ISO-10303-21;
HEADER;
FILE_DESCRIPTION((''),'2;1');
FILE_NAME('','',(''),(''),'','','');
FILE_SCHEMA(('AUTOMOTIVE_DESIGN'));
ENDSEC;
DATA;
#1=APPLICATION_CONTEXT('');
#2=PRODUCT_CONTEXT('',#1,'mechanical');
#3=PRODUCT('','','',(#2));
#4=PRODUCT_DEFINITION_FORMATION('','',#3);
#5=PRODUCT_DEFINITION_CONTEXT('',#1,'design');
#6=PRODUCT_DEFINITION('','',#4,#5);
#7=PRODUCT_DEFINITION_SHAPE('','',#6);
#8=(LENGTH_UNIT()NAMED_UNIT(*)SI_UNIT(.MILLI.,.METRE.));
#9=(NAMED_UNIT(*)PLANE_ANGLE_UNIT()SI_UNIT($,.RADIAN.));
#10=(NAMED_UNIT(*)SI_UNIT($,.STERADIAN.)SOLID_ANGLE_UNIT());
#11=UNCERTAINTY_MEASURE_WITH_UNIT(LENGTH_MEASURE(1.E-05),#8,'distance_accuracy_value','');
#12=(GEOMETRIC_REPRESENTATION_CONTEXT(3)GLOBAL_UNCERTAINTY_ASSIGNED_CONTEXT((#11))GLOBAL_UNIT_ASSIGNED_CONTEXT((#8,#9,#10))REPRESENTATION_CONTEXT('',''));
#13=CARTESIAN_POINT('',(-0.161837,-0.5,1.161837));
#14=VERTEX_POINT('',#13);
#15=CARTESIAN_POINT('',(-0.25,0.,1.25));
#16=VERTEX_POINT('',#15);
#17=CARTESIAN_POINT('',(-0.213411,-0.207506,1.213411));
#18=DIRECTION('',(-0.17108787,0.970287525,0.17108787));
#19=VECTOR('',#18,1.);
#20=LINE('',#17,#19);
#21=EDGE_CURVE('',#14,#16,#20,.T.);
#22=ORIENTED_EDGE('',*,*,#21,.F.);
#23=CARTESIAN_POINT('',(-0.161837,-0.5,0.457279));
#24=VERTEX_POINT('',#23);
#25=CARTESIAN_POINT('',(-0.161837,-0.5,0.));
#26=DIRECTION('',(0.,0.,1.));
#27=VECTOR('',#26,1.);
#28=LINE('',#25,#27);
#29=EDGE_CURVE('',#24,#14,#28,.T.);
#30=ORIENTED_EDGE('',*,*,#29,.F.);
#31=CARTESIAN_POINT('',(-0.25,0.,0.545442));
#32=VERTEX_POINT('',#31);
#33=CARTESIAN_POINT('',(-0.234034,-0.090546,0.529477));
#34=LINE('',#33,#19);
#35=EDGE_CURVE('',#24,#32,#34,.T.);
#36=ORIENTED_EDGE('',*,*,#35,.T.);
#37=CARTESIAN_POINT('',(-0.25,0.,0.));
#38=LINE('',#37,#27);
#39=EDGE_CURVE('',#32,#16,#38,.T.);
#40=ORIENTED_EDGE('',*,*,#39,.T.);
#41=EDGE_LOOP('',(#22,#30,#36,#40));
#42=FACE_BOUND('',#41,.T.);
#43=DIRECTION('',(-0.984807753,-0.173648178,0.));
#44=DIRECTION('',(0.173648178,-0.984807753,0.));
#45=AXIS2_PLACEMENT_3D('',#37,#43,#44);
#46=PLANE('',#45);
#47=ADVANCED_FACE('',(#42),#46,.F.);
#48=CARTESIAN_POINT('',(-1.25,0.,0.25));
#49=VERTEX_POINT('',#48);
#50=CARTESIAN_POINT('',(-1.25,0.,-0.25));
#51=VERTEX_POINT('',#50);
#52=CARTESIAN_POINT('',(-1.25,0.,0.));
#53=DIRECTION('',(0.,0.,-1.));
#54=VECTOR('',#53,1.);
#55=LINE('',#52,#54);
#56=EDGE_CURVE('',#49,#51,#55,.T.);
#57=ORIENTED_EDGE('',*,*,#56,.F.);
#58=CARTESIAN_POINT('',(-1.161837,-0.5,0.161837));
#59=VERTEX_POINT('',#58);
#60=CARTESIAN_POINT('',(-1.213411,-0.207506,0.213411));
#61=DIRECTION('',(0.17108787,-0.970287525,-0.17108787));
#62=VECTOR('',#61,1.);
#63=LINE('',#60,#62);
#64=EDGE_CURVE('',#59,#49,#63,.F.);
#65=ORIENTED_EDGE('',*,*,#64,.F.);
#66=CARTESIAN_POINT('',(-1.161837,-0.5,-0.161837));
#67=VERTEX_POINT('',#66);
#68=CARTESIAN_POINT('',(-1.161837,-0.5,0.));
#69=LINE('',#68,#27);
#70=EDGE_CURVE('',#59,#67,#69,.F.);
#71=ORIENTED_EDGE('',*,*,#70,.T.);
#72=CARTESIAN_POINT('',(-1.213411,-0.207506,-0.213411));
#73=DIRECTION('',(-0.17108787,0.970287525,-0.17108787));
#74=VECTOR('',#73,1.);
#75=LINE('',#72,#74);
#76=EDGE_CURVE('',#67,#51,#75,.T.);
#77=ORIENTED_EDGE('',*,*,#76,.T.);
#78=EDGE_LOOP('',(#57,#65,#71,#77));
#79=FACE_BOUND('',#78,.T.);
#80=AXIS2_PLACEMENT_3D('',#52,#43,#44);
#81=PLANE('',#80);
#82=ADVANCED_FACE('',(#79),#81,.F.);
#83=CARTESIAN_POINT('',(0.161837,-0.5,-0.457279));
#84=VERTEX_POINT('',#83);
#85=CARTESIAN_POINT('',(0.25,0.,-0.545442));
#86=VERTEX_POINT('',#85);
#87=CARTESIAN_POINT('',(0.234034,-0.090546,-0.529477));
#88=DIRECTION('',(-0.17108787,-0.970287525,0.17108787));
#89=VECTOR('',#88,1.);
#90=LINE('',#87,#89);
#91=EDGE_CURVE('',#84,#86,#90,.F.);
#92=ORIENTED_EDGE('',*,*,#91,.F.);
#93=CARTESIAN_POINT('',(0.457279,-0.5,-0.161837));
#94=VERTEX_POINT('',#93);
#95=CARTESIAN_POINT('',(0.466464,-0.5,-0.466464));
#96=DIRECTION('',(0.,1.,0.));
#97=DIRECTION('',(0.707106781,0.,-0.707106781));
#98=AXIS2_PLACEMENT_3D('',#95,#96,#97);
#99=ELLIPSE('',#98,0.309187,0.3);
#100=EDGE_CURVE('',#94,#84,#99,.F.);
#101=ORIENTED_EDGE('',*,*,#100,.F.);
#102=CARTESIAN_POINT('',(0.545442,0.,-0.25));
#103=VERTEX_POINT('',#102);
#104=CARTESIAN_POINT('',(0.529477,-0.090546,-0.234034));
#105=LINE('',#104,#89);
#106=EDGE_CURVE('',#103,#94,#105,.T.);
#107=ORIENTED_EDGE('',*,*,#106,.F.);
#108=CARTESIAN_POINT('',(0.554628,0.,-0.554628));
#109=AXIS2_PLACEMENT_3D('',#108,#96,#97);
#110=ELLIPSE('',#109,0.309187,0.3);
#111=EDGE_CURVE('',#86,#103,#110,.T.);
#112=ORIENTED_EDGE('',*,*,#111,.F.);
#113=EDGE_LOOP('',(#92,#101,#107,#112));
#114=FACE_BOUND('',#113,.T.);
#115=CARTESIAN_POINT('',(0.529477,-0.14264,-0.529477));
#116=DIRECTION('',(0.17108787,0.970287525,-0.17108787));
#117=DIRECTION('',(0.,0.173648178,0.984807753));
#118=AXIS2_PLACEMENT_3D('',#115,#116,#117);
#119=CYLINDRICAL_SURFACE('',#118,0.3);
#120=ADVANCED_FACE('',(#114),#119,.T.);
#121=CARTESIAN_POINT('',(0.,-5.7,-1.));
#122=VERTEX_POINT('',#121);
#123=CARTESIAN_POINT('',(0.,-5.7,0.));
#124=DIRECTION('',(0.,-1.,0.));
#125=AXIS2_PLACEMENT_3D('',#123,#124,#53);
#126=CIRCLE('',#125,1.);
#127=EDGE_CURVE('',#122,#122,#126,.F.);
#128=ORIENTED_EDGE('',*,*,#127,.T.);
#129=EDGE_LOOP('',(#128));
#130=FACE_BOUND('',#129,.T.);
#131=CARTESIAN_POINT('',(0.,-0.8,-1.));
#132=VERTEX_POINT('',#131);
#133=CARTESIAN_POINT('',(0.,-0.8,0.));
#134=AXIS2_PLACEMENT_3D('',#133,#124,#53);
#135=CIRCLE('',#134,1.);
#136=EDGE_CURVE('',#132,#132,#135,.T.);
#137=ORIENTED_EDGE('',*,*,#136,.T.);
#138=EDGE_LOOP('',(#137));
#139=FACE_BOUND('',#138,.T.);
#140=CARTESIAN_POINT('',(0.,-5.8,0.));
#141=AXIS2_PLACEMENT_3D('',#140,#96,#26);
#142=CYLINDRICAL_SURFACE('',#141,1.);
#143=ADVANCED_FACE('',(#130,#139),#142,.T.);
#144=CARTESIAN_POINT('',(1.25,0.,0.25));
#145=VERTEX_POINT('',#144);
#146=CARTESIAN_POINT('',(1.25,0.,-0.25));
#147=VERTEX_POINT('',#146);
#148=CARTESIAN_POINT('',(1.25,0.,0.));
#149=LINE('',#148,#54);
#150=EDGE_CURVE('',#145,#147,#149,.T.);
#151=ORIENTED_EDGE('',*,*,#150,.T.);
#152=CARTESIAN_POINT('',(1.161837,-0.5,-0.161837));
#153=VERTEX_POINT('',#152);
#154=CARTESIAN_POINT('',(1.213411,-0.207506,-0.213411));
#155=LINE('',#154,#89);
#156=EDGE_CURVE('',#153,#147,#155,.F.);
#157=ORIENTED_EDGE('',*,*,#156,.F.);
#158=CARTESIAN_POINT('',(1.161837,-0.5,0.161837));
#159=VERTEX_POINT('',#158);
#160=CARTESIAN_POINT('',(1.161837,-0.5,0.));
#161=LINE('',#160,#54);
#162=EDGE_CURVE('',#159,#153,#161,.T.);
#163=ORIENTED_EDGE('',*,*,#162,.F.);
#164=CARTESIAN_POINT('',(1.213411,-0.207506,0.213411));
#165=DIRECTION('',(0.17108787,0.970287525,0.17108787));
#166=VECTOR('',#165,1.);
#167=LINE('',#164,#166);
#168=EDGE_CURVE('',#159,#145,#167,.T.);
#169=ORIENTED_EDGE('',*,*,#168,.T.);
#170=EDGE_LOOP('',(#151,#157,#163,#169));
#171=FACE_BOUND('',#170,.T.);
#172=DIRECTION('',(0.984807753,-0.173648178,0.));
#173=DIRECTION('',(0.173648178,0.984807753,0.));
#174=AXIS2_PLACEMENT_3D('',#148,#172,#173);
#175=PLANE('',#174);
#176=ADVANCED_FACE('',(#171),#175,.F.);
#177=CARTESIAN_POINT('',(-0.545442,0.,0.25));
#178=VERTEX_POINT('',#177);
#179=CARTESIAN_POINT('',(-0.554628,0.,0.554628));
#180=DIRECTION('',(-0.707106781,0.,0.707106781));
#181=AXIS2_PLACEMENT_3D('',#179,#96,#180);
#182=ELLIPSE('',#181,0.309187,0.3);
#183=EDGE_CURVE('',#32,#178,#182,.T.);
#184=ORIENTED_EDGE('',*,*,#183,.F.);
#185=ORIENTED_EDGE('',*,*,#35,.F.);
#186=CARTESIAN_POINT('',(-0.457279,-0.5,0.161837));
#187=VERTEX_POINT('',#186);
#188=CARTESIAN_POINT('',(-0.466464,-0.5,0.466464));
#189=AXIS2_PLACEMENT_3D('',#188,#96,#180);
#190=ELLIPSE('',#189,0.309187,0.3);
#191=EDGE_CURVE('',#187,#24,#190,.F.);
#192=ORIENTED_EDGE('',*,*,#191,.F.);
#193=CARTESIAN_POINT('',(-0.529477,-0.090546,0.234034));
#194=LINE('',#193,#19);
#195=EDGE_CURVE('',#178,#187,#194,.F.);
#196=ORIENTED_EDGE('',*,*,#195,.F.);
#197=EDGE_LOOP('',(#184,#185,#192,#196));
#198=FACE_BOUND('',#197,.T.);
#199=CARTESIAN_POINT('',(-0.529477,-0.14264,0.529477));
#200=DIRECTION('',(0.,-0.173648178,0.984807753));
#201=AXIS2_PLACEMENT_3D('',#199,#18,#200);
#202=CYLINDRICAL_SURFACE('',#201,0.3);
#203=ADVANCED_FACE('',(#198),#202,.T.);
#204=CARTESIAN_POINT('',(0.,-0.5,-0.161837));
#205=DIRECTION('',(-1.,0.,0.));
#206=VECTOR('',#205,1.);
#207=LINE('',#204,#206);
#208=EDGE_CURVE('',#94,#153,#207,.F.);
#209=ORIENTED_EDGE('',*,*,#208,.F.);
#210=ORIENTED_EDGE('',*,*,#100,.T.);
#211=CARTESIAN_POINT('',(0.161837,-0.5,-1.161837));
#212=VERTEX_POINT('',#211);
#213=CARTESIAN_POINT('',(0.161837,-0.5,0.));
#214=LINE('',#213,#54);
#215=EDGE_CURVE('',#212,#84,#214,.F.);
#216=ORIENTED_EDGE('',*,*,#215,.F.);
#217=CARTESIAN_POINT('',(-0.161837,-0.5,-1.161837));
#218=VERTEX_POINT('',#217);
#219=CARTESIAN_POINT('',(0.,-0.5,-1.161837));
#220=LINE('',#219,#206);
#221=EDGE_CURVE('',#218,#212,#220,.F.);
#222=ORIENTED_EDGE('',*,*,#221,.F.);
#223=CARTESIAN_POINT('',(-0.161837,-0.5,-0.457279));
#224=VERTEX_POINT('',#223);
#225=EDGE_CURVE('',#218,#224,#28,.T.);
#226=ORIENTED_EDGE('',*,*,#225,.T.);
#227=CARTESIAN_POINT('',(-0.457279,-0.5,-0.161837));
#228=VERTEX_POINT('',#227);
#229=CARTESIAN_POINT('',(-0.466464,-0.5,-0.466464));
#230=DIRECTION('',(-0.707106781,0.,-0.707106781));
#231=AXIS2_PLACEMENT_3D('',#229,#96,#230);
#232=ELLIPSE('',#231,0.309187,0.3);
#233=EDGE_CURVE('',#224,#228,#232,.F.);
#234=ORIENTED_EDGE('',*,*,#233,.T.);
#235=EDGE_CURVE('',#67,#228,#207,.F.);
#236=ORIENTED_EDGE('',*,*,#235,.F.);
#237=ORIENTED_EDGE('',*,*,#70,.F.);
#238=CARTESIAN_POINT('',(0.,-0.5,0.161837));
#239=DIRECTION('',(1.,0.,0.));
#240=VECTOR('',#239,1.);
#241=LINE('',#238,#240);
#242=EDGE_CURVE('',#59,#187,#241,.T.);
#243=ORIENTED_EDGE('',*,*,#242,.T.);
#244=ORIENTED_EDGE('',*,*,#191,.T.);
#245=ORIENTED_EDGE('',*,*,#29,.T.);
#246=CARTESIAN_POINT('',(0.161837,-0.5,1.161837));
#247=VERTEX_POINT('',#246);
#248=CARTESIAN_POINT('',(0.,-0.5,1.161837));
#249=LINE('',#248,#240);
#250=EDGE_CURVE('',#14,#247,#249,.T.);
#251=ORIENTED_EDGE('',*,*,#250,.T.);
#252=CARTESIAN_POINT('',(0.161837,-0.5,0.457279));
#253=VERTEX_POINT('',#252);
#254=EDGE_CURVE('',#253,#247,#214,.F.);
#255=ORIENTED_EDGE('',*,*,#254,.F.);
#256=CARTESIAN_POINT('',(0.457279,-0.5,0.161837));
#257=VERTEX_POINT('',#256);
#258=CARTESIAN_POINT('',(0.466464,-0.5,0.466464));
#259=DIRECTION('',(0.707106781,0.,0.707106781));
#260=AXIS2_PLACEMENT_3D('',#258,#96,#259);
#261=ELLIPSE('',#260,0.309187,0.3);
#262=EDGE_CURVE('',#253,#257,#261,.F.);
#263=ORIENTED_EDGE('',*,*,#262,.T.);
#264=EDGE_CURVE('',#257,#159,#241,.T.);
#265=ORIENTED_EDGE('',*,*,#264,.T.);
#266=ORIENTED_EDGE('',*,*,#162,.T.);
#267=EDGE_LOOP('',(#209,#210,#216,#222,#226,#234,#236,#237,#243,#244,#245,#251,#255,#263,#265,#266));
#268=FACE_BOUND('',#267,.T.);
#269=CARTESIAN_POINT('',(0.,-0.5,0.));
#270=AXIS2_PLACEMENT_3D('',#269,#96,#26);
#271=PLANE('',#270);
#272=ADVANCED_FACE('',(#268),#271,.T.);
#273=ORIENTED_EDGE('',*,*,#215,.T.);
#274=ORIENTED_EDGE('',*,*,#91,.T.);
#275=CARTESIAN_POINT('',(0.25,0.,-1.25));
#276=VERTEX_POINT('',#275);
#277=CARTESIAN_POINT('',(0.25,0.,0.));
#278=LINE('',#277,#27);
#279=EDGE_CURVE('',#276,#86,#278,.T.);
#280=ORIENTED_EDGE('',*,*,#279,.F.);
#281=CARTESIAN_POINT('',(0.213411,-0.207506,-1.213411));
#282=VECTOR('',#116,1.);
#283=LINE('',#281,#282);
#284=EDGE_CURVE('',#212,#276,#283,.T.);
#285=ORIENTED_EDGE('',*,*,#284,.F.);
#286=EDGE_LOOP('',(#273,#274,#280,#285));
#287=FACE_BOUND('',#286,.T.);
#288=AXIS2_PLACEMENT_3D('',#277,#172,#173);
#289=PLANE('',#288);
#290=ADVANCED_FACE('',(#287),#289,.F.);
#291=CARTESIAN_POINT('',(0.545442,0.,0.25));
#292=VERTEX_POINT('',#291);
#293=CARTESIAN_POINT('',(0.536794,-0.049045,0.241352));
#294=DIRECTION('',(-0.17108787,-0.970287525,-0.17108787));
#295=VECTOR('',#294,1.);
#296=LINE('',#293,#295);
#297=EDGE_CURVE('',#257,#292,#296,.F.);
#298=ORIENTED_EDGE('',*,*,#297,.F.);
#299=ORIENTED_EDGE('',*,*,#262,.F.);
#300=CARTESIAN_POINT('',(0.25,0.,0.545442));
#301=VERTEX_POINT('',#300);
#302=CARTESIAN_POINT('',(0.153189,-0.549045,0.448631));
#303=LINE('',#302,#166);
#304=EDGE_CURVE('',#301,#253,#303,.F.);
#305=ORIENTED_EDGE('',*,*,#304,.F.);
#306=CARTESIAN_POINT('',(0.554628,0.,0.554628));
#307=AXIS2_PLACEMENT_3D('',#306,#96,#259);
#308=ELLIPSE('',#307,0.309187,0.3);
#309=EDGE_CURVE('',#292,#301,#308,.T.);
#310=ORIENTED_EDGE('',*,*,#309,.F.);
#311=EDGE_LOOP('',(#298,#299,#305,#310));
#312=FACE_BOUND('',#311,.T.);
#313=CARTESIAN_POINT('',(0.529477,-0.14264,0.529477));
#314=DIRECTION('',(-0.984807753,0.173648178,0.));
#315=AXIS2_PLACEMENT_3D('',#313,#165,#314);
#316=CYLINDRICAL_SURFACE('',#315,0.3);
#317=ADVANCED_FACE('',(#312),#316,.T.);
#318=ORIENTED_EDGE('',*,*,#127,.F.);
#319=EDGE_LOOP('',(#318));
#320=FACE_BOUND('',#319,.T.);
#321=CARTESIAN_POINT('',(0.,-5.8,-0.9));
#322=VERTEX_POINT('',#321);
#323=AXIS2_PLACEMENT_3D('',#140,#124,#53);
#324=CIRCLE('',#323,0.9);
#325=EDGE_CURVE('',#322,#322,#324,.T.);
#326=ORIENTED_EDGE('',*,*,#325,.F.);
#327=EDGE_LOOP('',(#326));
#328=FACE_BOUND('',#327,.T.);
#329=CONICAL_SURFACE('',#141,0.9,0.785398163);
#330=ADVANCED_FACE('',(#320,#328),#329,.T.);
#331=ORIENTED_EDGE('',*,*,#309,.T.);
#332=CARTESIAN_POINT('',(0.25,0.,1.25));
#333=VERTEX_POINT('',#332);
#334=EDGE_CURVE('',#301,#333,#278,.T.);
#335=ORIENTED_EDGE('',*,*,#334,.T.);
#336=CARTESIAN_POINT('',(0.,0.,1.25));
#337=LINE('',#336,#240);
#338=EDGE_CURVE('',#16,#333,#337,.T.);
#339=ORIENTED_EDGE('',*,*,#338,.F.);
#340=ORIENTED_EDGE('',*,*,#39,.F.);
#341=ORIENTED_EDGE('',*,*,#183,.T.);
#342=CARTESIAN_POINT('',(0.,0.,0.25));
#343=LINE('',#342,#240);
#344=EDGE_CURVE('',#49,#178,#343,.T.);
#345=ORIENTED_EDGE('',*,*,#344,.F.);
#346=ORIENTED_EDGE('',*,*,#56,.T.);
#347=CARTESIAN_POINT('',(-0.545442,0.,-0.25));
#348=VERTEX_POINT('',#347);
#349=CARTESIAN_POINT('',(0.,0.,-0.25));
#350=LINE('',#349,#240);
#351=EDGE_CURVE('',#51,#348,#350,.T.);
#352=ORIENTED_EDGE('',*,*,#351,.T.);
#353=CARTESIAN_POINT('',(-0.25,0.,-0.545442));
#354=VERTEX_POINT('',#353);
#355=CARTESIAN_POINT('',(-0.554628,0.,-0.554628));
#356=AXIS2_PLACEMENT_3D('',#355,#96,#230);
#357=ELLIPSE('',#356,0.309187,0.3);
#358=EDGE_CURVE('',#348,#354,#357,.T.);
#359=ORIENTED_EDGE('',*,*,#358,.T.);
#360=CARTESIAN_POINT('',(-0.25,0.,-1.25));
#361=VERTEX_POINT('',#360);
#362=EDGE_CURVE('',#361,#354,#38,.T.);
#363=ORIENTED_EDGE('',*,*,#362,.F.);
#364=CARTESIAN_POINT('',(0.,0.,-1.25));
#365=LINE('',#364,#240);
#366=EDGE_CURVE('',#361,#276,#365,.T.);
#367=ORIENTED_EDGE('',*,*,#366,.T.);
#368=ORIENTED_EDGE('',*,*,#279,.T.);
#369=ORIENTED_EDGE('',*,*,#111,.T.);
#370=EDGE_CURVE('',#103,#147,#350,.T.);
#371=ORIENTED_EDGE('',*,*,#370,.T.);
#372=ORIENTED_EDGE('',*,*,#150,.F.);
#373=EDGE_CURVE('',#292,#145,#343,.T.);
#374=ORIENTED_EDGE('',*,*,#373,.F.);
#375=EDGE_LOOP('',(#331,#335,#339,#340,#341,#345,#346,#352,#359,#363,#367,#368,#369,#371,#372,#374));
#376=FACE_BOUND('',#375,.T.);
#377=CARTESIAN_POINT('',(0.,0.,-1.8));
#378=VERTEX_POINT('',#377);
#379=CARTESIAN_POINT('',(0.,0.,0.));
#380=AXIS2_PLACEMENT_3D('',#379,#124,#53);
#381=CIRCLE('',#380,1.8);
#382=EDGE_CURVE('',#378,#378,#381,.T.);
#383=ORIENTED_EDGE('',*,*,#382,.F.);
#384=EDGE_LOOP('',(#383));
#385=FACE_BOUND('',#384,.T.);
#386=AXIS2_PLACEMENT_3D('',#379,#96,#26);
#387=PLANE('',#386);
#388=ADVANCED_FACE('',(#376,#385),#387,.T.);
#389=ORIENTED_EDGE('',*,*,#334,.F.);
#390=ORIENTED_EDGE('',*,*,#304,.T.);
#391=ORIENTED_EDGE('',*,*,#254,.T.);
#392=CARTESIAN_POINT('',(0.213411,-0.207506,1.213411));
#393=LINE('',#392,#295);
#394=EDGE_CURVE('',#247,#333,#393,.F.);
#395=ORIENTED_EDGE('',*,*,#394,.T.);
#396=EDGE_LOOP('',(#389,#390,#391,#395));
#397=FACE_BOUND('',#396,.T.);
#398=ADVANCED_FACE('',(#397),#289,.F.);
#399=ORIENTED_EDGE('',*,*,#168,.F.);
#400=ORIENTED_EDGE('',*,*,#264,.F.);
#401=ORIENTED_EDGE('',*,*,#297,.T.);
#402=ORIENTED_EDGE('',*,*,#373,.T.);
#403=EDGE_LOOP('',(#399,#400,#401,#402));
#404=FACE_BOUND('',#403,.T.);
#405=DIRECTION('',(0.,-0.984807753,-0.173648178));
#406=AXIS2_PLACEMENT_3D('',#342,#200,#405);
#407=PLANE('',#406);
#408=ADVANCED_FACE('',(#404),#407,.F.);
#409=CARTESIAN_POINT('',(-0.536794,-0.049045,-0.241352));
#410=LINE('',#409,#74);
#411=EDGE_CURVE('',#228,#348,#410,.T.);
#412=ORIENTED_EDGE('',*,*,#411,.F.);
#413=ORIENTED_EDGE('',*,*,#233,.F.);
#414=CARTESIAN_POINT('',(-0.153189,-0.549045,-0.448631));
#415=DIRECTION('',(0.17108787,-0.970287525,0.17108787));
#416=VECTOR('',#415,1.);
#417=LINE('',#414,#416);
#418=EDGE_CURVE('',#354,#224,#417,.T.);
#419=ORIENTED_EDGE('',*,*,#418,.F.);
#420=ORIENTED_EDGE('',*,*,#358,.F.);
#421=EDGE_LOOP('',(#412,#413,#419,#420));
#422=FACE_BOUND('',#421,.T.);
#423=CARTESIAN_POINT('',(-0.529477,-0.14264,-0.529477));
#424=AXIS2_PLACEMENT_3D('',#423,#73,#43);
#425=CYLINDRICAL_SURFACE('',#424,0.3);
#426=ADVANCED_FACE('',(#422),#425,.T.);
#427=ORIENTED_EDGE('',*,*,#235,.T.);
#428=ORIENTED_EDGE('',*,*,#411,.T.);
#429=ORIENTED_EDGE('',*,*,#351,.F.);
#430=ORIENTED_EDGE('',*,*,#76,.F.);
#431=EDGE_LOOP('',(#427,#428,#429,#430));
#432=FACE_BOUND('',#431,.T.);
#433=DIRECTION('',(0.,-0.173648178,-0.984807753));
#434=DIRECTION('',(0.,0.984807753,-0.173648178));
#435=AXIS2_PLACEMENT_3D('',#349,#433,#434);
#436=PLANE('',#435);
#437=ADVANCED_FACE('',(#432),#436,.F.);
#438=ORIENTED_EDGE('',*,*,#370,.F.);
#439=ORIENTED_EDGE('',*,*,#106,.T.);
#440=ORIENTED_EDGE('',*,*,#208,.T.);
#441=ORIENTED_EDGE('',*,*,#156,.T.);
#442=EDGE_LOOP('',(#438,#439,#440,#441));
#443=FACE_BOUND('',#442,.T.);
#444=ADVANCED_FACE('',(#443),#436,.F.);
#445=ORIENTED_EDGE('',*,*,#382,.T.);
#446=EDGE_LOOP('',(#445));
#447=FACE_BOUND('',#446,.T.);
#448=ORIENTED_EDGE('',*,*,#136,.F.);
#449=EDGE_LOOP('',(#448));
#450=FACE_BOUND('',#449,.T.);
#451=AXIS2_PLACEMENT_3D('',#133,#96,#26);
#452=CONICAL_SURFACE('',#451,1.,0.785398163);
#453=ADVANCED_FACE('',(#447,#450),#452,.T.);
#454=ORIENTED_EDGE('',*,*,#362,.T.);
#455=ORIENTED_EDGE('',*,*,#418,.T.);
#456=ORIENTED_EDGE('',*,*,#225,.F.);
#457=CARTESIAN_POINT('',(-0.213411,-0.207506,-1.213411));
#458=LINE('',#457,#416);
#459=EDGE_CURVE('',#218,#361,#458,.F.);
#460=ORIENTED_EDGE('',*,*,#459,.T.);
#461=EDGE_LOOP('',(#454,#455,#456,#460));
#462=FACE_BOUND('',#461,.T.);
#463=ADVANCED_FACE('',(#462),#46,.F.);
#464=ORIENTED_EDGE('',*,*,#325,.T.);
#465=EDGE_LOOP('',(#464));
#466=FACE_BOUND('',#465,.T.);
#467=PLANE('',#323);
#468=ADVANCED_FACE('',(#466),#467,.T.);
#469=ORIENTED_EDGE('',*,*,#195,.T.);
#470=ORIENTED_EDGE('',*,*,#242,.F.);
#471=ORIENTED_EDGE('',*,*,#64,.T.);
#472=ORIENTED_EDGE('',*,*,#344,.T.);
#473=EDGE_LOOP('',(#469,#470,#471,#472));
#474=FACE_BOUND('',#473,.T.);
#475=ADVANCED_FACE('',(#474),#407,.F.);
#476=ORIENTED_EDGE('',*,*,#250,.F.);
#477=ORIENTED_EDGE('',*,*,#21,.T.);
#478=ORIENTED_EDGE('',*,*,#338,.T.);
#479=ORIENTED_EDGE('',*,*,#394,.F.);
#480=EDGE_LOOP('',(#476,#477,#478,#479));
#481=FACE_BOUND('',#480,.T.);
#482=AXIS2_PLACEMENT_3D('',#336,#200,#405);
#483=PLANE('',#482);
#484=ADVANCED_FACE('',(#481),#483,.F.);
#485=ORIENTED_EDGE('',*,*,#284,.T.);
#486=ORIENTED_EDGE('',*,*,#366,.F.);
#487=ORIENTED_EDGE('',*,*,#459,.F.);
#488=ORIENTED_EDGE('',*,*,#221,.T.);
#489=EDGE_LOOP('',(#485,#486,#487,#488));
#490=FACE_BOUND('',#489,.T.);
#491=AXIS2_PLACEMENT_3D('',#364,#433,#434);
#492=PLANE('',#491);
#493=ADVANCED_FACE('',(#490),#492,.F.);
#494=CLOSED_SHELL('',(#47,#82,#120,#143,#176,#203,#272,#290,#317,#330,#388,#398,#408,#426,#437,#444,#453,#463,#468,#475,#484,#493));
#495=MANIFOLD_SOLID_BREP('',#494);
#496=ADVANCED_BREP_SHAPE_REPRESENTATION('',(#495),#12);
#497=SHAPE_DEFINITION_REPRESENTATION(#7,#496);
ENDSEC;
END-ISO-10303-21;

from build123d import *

# Parameters (mm, degrees)
SKETCH_2_R                    = 1
EXTRUDE_1_DEPTH               = 5
SKETCH_3_W                    = 2.5
SKETCH_3_H                    = 0.5
CUT_EXTRUDE_1_DEPTH           = 0.5
CUT_EXTRUDE_1_DRAFT           = -10
SKETCH_3_W_2                  = 0.5
SKETCH_3_H_2                  = 2.5
CUT_EXTRUDE_1_PROFILE_2_DEPTH = 0.5
CUT_EXTRUDE_1_PROFILE_2_DRAFT = -10
FILLET_1_R                    = 0.3
CHAMFER_2_SIZE                = 0.1


with BuildPart() as part:
    # 草图1 → 旋转1 (revolve)
    with BuildSketch(Plane.XY, mode=Mode.PRIVATE) as revolve_1_sk:
        Polygon((0, 0), (1.8, 0), (1, -0.8), (0, -0.8), align=None)
    revolve(revolve_1_sk.sketch.rotate(Axis((0, -0.8, 0), (0, 1, 0)), 90), axis=Axis((0, -0.8, 0), (0, 1, 0)))

    # 草图2 → 凸台-拉伸1 (add)
    with BuildSketch(Plane.XZ.offset(0.8)):
        with Locations(Location((0, 0, 0), (0, 0, 270))):
            Circle(SKETCH_2_R)
    extrude(amount=EXTRUDE_1_DEPTH)


with BuildPart() as cut_extrude_1_tool:
    # 草图3 → 切除-拉伸1 (with draft: the straight prism first)
    with BuildSketch(Plane(origin=(0, 0, 0), x_dir=(1, 0, 0), z_dir=(0, 1, 0))):
        Rectangle(SKETCH_3_W, SKETCH_3_H)
    extrude(amount=-CUT_EXTRUDE_1_DEPTH)
    # 切除-拉伸1: the draft: its side faces are tilted about the plane it starts from
    cut_extrude_1_sides = [cut_extrude_1_tool.faces().sort_by_distance(p)[0] for p in [
        (0, -0.25, 0.25),
        (1.25, -0.25, 0),
        (0, -0.25, -0.25),
        (-1.25, -0.25, 0),
    ]]
    draft(cut_extrude_1_sides, Plane(origin=(0, 0, 0), x_dir=(1, 0, 0), z_dir=(0, 1, 0)), CUT_EXTRUDE_1_DRAFT)


with BuildPart() as part_1:
    add(part.part)

    # 切除-拉伸1: cut by cut_extrude_1_tool
    add(cut_extrude_1_tool.part, mode=Mode.SUBTRACT)


with BuildPart() as cut_extrude_1_profile_2_tool:
    # 草图3 → 切除-拉伸1 profile 2 (with draft: the straight prism first)
    with BuildSketch(Plane(origin=(0, 0, 0), x_dir=(1, 0, 0), z_dir=(0, 1, 0))):
        Rectangle(SKETCH_3_W_2, SKETCH_3_H_2)
    extrude(amount=-CUT_EXTRUDE_1_PROFILE_2_DEPTH)
    # 切除-拉伸1 profile 2: the draft: its side faces are tilted about the plane it starts from
    cut_extrude_1_profile_2_sides = [cut_extrude_1_profile_2_tool.faces().sort_by_distance(p)[0] for p in [
        (-0.25, -0.25, 0),
        (0, -0.25, 1.25),
        (0.25, -0.25, 0),
        (0, -0.25, -1.25),
    ]]
    draft(cut_extrude_1_profile_2_sides, Plane(origin=(0, 0, 0), x_dir=(1, 0, 0), z_dir=(0, 1, 0)), CUT_EXTRUDE_1_PROFILE_2_DRAFT)


with BuildPart() as part_2:
    add(part_1.part)

    # 切除-拉伸1 profile 2: cut by cut_extrude_1_profile_2_tool
    add(cut_extrude_1_profile_2_tool.part, mode=Mode.SUBTRACT)

    # 圆角1
    fillet_1_edges = [part_2.edges().sort_by_distance(p)[0] for p in [
        (0.205918255, -0.25, -0.205918255),
        (0.205918255, -0.25, 0.205918255),
        (-0.205918255, -0.25, 0.205918255),
        (-0.205918255, -0.25, -0.205918255),
    ]]
    fillet(fillet_1_edges, radius=FILLET_1_R)

    # 倒角2
    chamfer_2_edges = [part_2.edges().sort_by_distance(p)[0] for p in [
        (0, -5.8, 1),
    ]]
    chamfer(chamfer_2_edges, length=CHAMFER_2_SIZE)


solid = part_2.part
